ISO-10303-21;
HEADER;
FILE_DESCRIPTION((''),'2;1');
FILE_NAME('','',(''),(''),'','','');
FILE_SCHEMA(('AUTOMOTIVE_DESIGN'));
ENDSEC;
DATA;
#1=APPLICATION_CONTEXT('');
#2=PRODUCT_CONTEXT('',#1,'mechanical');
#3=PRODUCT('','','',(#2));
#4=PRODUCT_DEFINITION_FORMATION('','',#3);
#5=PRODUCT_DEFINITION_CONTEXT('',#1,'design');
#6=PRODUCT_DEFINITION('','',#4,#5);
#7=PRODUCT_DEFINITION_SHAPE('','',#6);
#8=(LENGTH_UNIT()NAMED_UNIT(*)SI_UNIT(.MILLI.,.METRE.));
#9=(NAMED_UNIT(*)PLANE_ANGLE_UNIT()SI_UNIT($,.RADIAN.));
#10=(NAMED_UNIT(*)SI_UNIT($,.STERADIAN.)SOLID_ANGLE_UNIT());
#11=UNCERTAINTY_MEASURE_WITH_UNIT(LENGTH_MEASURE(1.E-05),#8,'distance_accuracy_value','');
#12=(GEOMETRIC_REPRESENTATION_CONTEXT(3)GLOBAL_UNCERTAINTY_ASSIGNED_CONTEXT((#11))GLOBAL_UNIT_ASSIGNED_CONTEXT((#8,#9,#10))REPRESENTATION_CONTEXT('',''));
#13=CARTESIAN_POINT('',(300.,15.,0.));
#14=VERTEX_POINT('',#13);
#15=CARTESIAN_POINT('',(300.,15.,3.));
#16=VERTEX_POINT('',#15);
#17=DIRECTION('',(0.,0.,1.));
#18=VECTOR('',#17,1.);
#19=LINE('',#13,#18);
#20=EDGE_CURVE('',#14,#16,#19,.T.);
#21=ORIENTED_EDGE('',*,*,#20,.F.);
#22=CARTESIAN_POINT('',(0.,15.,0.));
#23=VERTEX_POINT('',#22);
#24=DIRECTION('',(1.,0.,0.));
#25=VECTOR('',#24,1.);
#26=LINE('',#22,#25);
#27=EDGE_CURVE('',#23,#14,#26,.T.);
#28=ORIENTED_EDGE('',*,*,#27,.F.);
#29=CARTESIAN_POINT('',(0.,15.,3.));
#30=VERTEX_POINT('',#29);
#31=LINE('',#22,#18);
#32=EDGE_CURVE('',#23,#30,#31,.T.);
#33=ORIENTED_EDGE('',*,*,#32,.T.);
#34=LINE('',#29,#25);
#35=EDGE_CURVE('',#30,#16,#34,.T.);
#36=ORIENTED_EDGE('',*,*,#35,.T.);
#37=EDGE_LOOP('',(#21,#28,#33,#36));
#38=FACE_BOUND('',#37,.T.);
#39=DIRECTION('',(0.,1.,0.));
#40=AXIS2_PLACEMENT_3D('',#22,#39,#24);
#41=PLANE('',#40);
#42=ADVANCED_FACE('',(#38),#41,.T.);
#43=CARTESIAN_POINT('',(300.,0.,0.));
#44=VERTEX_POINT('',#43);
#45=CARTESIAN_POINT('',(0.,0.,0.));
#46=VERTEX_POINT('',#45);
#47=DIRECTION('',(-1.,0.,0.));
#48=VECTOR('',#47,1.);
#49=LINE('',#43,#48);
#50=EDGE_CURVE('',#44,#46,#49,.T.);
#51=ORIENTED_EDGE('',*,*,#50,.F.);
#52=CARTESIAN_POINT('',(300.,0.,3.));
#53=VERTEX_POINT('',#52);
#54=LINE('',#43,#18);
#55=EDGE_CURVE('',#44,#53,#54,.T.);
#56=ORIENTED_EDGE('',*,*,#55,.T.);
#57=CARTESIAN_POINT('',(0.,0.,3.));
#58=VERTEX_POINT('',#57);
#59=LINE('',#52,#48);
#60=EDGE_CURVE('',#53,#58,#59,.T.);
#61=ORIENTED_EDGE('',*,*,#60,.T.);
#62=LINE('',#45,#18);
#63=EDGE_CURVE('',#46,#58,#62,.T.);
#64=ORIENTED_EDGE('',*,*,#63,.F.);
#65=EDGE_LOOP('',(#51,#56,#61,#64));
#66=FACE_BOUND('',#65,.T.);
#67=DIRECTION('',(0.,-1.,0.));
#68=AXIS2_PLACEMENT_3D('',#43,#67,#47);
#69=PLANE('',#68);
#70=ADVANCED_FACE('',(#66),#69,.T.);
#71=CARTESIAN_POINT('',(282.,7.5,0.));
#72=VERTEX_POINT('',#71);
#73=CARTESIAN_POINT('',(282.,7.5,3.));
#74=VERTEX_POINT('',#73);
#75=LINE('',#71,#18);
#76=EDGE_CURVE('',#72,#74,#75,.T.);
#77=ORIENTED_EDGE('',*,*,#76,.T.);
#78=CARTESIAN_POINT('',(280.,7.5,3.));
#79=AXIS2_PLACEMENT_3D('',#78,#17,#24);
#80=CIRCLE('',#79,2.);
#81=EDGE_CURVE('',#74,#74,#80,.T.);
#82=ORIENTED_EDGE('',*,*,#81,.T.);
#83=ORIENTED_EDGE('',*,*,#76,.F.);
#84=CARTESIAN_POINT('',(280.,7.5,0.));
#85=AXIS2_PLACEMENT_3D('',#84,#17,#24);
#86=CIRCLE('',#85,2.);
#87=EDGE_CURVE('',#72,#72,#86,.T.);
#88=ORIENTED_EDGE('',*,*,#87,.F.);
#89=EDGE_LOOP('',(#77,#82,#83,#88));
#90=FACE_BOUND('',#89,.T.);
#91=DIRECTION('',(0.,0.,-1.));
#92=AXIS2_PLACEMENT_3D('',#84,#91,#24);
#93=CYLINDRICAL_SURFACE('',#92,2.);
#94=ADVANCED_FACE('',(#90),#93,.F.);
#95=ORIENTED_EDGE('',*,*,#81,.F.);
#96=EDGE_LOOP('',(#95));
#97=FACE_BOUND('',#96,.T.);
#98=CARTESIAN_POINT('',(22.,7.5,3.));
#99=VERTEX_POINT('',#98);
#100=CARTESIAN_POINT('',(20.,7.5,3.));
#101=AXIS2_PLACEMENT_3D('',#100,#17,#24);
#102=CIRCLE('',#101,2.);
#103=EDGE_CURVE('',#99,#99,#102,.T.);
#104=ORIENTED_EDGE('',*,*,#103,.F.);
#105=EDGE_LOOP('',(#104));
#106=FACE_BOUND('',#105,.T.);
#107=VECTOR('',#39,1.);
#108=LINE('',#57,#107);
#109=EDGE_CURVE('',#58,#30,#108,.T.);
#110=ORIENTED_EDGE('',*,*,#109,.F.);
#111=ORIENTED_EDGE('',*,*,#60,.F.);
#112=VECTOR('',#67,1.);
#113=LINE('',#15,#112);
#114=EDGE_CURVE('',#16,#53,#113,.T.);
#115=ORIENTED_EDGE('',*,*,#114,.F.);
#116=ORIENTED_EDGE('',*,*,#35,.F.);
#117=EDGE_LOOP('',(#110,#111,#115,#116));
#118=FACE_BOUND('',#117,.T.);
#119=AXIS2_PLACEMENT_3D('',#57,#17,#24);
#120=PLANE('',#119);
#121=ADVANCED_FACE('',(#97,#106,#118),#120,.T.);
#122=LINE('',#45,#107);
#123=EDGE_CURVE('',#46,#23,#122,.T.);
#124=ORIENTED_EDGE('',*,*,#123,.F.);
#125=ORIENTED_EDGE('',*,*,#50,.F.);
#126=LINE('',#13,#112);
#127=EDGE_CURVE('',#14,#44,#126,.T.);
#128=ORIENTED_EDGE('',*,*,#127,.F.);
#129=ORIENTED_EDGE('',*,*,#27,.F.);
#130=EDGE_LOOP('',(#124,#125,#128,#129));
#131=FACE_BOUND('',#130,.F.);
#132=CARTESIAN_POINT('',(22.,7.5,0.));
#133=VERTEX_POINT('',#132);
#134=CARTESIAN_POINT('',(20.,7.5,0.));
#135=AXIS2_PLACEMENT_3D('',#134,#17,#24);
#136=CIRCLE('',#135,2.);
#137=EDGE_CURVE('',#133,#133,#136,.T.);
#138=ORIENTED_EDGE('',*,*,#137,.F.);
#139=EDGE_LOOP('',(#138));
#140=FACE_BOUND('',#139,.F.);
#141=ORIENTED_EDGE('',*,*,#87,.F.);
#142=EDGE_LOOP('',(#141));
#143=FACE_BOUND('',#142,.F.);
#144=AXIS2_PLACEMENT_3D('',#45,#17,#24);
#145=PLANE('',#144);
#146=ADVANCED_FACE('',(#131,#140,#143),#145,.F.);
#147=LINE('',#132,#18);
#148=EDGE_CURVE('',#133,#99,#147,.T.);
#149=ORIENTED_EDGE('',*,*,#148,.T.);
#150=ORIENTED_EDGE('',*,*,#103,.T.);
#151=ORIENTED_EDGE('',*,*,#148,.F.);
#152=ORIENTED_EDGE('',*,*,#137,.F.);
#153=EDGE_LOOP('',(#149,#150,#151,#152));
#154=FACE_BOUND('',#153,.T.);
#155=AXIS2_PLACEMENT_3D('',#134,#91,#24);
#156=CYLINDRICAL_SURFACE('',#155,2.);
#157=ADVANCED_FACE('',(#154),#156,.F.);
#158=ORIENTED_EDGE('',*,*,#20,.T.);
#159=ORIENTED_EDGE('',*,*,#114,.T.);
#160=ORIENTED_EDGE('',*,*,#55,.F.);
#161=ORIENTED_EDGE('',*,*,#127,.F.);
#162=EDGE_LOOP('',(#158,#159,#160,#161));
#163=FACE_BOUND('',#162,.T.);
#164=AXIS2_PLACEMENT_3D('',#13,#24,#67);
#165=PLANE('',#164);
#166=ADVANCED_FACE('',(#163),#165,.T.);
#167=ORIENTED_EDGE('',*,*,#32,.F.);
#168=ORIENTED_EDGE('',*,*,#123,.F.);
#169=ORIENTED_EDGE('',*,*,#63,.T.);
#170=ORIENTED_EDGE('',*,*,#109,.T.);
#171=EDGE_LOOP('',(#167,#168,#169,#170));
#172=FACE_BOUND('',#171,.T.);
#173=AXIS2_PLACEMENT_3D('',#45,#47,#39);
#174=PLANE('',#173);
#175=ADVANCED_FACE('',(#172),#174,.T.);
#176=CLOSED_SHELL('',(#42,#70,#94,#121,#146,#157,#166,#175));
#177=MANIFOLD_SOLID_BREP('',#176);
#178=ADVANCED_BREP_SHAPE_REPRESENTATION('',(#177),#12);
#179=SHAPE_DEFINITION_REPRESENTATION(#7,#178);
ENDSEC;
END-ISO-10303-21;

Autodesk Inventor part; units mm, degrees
ref_plane "YZ Plane" through (0, 0, 0) normal (1, 0, 0) x (0, 1, 0)
ref_plane "XZ Plane" through (0, 0, 0) normal (0, 1, 0) x (-1, 0, 0)
ref_plane "XY Plane" through (0, 0, 0) normal (0, 0, 1) x (1, 0, 0)
sketch "草圖1" plane through (0, 0, 0) normal (0, 0, 1) x (1, 0, 0)
  line L0 (0, 15) -> (300, 15)
  line L1 (300, 15) -> (300, 0)
  line L2 (300, 0) -> (0, 0)
  line L3 (0, 0) -> (0, 15)
  circle A0 centre (20, 7.5) radius 2
  circle A1 centre (280, 7.5) radius 2
  dimension "d0" = 300
  dimension "d1" = 15
  dimension "d2" = 7.5
  dimension "d3" = 4
  dimension "d4" = 20
  dimension "d5" = 20
  dimension "d6" = 7.5
  dimension "d7" = 4
extrude "擠出1" add sketch "草圖1" along normal blind 3
